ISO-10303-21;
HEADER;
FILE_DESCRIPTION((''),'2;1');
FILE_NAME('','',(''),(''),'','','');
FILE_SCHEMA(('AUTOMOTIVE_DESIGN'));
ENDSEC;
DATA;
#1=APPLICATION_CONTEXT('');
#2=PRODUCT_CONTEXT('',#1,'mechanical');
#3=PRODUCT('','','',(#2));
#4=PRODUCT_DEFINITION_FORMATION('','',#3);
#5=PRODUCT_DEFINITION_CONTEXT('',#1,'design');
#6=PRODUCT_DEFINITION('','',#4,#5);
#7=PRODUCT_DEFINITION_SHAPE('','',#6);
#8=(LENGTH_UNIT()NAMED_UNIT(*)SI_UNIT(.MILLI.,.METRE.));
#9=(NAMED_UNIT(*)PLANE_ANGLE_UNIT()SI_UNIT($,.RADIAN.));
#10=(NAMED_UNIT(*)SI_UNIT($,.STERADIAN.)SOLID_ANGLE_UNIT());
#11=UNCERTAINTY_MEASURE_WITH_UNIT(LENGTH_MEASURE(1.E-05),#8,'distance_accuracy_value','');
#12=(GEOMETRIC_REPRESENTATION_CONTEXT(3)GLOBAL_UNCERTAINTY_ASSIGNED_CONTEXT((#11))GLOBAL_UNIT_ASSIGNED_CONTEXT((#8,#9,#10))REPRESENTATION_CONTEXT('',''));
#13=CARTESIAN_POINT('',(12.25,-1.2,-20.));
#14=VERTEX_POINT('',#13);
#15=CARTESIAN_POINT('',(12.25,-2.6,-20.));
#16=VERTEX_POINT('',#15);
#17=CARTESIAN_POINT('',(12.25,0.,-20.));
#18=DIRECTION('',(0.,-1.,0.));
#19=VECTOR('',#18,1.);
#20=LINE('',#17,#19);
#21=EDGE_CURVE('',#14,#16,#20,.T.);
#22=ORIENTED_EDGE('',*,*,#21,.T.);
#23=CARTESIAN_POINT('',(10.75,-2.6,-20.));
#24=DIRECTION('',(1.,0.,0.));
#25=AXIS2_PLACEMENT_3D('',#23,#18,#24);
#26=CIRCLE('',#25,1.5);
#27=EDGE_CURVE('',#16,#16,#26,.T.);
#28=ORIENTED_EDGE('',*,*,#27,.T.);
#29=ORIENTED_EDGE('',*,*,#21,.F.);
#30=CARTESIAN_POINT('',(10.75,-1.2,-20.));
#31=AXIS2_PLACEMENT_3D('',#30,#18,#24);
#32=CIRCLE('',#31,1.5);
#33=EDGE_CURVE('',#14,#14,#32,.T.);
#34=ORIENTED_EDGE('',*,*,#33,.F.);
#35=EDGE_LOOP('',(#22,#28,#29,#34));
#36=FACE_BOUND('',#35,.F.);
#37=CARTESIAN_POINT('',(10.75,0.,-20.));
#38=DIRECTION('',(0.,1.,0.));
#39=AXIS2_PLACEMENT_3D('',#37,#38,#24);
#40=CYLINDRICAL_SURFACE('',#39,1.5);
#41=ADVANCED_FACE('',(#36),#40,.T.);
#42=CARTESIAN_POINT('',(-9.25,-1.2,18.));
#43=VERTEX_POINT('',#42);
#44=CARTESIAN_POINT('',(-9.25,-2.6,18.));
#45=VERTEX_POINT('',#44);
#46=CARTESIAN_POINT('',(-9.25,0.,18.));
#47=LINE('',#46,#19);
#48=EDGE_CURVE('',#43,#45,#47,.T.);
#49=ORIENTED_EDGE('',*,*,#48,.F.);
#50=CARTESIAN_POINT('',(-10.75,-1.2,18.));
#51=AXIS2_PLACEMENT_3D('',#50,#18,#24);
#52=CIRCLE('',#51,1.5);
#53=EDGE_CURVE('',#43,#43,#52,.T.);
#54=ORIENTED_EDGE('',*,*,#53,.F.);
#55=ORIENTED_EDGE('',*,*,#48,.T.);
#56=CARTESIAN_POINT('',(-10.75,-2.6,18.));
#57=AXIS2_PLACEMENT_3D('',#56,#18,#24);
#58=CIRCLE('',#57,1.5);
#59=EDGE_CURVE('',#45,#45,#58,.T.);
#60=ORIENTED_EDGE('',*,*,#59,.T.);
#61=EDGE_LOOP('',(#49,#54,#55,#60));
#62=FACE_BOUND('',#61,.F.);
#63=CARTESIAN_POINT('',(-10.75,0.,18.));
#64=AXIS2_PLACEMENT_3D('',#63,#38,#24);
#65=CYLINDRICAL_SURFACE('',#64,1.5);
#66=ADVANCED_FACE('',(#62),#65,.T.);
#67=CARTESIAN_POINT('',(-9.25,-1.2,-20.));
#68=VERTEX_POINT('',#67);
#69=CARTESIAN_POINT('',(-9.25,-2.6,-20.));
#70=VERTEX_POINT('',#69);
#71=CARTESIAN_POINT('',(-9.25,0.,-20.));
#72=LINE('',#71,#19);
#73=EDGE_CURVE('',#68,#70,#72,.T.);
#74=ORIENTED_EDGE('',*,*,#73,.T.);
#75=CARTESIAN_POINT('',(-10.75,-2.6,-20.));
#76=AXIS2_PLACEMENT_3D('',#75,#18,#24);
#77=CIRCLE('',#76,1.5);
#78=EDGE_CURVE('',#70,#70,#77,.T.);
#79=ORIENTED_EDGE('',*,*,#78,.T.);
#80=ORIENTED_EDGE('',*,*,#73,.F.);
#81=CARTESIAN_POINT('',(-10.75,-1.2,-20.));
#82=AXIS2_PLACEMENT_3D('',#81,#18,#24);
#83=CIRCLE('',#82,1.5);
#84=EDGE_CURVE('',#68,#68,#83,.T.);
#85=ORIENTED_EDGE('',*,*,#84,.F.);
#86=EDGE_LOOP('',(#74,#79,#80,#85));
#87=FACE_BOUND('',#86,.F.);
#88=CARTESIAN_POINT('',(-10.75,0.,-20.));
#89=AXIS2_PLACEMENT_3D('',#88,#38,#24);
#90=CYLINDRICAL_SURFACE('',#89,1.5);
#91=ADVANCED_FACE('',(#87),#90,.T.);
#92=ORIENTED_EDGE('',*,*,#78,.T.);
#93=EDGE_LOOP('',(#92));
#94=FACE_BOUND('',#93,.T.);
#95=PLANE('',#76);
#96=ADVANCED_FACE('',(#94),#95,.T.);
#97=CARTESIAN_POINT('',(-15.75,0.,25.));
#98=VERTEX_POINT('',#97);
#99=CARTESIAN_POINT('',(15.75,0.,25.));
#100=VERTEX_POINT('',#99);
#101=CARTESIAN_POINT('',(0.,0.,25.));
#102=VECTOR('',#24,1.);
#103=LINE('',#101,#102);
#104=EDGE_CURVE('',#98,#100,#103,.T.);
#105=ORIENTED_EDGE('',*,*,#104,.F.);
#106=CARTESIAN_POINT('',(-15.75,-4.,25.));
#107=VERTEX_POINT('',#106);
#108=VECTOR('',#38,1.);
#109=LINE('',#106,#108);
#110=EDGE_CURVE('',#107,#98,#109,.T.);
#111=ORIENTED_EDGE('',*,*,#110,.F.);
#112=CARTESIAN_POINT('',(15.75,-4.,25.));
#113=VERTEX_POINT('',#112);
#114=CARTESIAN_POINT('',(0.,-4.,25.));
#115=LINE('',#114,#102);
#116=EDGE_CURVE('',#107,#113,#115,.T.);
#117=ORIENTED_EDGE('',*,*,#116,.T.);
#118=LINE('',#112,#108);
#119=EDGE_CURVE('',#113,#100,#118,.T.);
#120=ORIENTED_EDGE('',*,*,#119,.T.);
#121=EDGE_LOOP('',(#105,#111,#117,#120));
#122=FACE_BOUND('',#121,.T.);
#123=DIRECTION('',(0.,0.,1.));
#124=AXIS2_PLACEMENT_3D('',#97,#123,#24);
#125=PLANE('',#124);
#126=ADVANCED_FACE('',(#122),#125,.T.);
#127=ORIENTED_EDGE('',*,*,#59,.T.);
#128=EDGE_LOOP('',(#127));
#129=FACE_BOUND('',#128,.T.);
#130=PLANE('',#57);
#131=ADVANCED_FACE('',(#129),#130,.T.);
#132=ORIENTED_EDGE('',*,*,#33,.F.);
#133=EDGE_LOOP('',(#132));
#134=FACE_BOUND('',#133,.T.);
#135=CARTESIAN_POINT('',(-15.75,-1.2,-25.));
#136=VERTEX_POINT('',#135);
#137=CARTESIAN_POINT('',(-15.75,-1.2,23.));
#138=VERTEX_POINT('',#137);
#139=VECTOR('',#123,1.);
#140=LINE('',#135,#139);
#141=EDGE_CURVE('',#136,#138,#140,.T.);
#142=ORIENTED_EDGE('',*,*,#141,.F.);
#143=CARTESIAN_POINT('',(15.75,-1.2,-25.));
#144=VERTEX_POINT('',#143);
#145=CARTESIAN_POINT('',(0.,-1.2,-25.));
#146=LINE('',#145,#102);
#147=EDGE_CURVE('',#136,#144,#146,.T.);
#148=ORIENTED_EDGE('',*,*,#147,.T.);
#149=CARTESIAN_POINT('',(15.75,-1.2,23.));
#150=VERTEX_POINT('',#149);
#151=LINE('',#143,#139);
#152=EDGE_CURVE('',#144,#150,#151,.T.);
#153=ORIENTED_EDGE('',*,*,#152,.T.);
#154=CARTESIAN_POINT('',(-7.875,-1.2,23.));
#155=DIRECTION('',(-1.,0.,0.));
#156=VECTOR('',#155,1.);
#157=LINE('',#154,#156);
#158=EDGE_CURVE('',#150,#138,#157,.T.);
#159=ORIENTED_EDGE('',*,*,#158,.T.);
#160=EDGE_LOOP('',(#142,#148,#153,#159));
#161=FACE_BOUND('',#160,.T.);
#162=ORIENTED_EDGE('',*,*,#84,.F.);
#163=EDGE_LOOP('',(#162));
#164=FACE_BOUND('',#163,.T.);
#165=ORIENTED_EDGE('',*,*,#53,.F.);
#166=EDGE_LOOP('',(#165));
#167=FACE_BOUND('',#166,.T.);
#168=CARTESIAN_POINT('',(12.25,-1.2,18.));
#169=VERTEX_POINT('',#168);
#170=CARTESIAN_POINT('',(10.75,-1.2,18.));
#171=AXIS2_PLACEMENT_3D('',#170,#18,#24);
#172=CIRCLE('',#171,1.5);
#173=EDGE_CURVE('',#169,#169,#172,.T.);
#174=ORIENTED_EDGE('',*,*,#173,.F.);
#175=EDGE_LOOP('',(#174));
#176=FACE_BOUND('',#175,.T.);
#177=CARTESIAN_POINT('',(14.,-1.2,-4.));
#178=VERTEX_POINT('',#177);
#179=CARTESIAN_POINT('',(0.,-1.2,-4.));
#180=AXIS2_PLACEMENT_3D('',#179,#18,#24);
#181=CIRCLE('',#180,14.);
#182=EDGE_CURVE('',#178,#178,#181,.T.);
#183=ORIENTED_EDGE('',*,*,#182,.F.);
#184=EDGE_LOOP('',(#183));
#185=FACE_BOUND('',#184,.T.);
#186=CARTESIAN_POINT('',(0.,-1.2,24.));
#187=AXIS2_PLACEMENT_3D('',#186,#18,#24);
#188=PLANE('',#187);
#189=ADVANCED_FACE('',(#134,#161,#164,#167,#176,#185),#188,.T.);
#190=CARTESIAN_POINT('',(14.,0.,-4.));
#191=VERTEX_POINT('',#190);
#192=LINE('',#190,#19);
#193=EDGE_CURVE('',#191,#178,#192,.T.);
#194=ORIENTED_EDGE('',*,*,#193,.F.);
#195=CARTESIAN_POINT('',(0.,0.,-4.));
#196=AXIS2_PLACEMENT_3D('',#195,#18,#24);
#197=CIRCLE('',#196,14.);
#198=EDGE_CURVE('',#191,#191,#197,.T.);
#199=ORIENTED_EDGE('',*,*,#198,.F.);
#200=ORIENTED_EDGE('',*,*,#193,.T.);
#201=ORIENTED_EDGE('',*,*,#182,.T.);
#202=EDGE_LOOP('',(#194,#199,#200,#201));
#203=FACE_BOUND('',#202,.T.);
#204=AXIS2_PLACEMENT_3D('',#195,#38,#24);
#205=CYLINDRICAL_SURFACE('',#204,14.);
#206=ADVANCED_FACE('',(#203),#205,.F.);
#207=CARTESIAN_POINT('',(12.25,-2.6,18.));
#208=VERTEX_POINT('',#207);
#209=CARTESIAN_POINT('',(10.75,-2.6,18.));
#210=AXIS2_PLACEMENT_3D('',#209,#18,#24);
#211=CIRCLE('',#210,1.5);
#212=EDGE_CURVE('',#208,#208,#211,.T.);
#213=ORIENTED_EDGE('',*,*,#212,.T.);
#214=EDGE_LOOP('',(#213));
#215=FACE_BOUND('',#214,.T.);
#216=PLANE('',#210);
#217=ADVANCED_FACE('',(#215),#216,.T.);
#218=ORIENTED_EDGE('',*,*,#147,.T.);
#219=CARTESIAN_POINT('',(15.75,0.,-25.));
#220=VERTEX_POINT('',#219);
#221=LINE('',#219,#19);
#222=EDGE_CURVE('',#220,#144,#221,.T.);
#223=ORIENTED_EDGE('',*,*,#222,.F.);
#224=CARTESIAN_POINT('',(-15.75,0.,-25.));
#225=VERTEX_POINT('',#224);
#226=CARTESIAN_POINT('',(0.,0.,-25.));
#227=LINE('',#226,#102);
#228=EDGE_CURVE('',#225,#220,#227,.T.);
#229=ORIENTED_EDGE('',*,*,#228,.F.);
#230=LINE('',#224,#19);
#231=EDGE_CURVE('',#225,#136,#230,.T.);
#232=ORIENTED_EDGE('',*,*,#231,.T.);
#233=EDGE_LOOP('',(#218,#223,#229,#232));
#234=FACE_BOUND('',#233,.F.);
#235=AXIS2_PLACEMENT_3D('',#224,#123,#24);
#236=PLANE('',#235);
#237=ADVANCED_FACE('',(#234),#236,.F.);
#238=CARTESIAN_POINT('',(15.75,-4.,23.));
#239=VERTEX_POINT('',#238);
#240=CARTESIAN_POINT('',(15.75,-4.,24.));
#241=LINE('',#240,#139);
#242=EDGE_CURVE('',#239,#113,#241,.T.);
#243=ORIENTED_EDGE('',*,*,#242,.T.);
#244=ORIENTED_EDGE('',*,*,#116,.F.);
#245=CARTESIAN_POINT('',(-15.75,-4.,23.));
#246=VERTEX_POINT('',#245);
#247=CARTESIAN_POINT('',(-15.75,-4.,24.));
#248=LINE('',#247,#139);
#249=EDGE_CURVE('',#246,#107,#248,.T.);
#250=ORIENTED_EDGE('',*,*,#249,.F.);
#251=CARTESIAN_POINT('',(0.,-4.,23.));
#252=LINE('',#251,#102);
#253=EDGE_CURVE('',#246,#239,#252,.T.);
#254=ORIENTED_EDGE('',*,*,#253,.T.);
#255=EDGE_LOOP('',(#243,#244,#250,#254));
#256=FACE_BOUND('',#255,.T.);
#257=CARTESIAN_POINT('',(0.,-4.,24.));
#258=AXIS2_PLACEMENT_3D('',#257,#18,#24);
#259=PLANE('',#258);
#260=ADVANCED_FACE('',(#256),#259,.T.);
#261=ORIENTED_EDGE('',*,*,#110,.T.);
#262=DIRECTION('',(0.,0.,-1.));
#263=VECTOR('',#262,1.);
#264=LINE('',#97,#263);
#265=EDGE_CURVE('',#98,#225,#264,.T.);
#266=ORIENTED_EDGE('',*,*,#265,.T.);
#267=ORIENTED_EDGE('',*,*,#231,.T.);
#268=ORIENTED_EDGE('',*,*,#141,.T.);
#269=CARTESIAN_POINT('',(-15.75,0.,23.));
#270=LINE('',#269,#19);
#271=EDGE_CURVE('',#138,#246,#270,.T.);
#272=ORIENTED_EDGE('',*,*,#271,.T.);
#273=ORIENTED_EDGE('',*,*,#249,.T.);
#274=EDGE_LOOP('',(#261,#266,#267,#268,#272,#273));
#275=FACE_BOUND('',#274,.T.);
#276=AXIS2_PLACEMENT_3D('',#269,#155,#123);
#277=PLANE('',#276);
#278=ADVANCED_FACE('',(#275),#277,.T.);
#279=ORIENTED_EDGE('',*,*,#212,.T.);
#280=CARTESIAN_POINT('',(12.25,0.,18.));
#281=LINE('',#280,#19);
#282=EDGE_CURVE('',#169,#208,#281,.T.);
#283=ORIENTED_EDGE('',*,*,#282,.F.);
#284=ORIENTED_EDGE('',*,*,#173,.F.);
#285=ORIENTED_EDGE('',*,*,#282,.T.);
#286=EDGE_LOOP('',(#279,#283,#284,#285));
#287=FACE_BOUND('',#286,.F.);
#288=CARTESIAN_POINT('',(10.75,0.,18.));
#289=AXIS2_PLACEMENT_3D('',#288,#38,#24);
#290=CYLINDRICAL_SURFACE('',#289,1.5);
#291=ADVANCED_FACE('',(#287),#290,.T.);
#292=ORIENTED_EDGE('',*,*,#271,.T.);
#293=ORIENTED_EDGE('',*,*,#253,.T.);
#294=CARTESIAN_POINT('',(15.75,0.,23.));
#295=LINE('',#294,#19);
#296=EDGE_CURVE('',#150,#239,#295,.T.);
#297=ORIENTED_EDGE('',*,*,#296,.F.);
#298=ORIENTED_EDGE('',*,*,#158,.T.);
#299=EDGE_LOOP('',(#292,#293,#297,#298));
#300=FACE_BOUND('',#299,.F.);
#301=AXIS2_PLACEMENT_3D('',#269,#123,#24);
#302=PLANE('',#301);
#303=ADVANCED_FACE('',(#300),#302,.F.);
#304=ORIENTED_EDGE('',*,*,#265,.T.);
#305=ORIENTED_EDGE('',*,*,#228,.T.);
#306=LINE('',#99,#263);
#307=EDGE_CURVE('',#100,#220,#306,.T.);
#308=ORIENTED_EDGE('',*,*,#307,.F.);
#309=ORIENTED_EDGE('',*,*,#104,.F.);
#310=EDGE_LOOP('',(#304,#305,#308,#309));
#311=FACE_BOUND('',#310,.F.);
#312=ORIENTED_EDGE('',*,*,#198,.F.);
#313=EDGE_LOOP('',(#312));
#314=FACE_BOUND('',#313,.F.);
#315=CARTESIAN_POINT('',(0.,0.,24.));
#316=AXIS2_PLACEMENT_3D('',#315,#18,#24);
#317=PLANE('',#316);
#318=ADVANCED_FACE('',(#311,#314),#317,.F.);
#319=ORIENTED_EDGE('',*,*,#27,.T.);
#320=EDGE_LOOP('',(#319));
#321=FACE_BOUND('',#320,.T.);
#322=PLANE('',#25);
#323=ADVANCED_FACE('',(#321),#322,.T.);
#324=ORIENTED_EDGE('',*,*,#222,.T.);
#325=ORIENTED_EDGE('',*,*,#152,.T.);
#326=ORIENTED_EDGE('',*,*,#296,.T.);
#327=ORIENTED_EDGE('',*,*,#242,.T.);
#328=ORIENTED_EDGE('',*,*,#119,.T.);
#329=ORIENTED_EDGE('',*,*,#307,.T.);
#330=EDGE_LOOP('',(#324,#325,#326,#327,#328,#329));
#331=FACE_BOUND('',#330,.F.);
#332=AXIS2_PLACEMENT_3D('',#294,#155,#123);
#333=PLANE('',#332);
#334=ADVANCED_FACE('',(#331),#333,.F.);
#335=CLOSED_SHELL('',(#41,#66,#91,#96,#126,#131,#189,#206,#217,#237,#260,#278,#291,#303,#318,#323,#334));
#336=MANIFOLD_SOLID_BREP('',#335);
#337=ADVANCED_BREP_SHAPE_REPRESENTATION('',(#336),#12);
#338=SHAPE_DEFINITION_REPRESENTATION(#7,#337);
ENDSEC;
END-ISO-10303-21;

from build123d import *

# Parameters (mm, degrees)
F0_W     = 31.5
F0_H     = 48
F0_R     = 1.5
F0_R_2   = 14
F1_DEPTH = 1.2
F0_H_2   = 2
F2_DEPTH = 1.2
F3_DEPTH = 2.6
F4_DEPTH = 4


with BuildPart() as f1:
    # F0 (on Front) → F1 (new body)
    with BuildSketch(Plane.XZ):
        with Locations((0, -1)):
            Rectangle(F0_W, F0_H)
        with Locations((-10.75, -20)):
            Circle(F0_R, mode=Mode.SUBTRACT)
        with Locations((10.75, -20)):
            Circle(F0_R, mode=Mode.SUBTRACT)
        with Locations((0, -4)):
            Circle(F0_R_2, mode=Mode.SUBTRACT)
        with Locations((-10.75, 18)):
            Circle(F0_R, mode=Mode.SUBTRACT)
        with Locations((10.75, 18)):
            Circle(F0_R, mode=Mode.SUBTRACT)
    extrude(amount=F1_DEPTH)

    # F0 (on Front) → F2 (join)
    with BuildSketch(Plane.XZ):
        with Locations((0, 24)):
            Rectangle(F0_W, F0_H_2)
    extrude(amount=F2_DEPTH)

    # F0 (on Front) → F3 (join)
    with BuildSketch(Plane.XZ):
        with Locations((-10.75, 18)):
            Circle(F0_R)
        with Locations((10.75, 18)):
            Circle(F0_R)
        with Locations((10.75, -20)):
            Circle(F0_R)
        with Locations((-10.75, -20)):
            Circle(F0_R)
    extrude(amount=F3_DEPTH)

    # F0 (on Front) → F4 (join)
    with BuildSketch(Plane.XZ):
        with Locations((0, 24)):
            Rectangle(F0_W, F0_H_2)
    extrude(amount=F4_DEPTH)


solid = f1.part
